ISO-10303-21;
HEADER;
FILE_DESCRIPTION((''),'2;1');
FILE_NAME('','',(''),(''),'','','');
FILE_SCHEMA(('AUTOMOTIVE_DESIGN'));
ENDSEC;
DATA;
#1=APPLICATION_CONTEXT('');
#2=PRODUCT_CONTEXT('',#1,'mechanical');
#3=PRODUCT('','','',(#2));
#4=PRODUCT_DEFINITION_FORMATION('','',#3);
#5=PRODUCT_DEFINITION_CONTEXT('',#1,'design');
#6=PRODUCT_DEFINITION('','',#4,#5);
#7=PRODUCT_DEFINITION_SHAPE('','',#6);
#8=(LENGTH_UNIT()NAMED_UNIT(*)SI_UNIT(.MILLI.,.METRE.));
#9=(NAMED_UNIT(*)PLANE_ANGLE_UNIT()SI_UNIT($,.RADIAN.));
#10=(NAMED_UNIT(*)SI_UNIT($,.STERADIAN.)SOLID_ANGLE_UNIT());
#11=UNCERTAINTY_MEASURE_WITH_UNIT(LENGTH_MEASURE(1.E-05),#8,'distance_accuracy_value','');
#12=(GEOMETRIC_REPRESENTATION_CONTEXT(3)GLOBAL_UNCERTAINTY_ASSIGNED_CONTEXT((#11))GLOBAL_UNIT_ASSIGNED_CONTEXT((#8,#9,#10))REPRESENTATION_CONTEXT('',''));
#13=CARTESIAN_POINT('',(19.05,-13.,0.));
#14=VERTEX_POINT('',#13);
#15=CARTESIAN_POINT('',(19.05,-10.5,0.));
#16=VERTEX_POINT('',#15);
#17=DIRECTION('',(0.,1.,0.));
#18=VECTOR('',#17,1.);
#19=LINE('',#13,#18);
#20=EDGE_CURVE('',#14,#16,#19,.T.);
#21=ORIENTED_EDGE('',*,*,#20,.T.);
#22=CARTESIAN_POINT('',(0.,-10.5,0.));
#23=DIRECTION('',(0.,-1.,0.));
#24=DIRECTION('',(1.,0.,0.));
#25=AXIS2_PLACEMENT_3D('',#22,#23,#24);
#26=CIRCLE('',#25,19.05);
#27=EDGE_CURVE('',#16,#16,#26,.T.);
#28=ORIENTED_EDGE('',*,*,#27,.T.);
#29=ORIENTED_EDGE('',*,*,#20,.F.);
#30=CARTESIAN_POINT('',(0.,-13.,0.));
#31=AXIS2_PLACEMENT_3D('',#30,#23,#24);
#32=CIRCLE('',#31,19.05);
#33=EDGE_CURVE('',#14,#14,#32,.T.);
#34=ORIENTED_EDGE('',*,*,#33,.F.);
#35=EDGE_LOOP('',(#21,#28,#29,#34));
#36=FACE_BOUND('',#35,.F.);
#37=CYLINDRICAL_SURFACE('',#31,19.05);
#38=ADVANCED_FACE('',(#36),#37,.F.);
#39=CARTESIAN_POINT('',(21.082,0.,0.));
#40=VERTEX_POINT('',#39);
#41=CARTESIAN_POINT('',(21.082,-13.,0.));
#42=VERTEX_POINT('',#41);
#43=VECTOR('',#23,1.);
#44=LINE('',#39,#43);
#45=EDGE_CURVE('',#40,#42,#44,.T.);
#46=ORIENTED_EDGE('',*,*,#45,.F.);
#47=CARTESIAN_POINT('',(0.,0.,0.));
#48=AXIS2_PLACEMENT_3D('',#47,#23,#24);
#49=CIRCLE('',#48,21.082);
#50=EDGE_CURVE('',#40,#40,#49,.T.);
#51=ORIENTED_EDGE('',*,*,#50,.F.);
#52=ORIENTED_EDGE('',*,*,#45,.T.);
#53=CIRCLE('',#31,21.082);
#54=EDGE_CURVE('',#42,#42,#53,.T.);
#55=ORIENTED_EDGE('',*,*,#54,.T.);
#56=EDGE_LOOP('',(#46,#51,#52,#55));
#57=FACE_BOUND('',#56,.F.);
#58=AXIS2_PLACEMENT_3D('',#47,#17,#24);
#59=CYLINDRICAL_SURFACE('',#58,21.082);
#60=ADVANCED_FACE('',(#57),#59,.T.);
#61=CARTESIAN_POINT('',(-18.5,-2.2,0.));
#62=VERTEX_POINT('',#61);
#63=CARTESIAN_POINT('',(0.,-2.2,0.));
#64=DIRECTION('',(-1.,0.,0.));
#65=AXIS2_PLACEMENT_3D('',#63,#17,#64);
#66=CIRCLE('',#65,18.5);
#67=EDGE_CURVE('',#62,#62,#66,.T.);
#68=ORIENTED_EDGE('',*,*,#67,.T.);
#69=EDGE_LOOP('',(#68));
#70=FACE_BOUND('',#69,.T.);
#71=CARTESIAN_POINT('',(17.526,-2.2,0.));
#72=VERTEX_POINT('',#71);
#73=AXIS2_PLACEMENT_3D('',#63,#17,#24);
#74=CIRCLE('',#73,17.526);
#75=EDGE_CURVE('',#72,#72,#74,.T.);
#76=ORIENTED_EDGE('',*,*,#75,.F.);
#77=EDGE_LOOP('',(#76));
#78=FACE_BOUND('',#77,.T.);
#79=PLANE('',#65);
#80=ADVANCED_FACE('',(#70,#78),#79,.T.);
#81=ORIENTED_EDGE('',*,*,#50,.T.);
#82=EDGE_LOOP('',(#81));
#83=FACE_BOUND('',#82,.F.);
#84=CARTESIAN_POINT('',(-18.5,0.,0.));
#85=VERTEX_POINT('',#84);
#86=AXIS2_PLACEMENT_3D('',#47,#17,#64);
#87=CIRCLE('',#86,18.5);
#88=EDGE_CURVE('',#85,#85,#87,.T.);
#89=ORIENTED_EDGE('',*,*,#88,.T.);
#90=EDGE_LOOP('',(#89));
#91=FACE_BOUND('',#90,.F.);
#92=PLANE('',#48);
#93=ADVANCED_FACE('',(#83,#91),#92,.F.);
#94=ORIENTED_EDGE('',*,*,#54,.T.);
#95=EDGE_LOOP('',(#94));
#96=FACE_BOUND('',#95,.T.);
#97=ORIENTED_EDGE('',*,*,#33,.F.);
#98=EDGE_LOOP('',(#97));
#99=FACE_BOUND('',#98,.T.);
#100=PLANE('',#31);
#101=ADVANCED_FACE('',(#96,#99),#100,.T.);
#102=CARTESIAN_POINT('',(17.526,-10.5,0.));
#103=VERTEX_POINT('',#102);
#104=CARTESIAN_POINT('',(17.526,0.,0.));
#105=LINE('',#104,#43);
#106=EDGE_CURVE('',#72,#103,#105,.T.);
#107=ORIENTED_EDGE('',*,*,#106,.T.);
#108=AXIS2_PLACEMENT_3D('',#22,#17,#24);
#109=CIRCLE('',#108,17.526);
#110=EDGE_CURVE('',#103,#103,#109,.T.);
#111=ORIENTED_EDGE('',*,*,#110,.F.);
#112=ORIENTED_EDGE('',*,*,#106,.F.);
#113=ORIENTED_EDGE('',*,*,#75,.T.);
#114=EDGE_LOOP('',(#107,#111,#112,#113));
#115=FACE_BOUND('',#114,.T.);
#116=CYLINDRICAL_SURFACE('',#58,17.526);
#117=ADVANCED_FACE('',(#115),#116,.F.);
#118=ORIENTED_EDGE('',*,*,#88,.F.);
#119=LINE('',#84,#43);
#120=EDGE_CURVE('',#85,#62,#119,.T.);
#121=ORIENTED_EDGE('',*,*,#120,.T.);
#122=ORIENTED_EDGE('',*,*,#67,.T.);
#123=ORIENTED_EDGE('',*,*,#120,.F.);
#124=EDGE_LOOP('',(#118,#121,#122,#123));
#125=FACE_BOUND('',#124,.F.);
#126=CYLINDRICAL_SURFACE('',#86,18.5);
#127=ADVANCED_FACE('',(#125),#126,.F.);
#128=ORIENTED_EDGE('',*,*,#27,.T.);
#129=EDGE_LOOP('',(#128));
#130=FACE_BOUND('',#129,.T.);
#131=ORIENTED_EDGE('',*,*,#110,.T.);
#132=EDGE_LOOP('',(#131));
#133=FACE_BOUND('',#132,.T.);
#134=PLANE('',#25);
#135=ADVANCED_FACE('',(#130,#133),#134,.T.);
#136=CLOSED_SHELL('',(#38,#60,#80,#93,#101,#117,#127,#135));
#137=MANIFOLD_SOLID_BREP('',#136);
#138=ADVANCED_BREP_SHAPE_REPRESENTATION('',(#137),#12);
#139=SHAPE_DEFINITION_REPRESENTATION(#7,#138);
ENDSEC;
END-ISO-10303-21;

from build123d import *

# Parameters (mm, degrees)
F0_R     = 21.082
F0_R_2   = 17.526
F1_DEPTH = 13
F2_R     = 19.05
F3_DEPTH = 2.5
F4_R     = 18.5
F5_DEPTH = 2.2


with BuildPart() as f1:
    # F0 (on Front) → F1 (new body)
    with BuildSketch(Plane.XZ):
        Circle(F0_R)
        Circle(F0_R_2, mode=Mode.SUBTRACT)
    extrude(amount=F1_DEPTH)

    # F2 (on face) → F3 (cut)
    with BuildSketch(Plane.XZ.offset(13)):
        Circle(F2_R)
    extrude(amount=-F3_DEPTH, mode=Mode.SUBTRACT)

    # F4 (on face) → F5 (cut)
    with BuildSketch(Plane(origin=(0, 0, 0), x_dir=(-1, 0, 0), z_dir=(0, 1, 0))):
        Circle(F4_R)
    extrude(amount=-F5_DEPTH, mode=Mode.SUBTRACT)


solid = f1.part
